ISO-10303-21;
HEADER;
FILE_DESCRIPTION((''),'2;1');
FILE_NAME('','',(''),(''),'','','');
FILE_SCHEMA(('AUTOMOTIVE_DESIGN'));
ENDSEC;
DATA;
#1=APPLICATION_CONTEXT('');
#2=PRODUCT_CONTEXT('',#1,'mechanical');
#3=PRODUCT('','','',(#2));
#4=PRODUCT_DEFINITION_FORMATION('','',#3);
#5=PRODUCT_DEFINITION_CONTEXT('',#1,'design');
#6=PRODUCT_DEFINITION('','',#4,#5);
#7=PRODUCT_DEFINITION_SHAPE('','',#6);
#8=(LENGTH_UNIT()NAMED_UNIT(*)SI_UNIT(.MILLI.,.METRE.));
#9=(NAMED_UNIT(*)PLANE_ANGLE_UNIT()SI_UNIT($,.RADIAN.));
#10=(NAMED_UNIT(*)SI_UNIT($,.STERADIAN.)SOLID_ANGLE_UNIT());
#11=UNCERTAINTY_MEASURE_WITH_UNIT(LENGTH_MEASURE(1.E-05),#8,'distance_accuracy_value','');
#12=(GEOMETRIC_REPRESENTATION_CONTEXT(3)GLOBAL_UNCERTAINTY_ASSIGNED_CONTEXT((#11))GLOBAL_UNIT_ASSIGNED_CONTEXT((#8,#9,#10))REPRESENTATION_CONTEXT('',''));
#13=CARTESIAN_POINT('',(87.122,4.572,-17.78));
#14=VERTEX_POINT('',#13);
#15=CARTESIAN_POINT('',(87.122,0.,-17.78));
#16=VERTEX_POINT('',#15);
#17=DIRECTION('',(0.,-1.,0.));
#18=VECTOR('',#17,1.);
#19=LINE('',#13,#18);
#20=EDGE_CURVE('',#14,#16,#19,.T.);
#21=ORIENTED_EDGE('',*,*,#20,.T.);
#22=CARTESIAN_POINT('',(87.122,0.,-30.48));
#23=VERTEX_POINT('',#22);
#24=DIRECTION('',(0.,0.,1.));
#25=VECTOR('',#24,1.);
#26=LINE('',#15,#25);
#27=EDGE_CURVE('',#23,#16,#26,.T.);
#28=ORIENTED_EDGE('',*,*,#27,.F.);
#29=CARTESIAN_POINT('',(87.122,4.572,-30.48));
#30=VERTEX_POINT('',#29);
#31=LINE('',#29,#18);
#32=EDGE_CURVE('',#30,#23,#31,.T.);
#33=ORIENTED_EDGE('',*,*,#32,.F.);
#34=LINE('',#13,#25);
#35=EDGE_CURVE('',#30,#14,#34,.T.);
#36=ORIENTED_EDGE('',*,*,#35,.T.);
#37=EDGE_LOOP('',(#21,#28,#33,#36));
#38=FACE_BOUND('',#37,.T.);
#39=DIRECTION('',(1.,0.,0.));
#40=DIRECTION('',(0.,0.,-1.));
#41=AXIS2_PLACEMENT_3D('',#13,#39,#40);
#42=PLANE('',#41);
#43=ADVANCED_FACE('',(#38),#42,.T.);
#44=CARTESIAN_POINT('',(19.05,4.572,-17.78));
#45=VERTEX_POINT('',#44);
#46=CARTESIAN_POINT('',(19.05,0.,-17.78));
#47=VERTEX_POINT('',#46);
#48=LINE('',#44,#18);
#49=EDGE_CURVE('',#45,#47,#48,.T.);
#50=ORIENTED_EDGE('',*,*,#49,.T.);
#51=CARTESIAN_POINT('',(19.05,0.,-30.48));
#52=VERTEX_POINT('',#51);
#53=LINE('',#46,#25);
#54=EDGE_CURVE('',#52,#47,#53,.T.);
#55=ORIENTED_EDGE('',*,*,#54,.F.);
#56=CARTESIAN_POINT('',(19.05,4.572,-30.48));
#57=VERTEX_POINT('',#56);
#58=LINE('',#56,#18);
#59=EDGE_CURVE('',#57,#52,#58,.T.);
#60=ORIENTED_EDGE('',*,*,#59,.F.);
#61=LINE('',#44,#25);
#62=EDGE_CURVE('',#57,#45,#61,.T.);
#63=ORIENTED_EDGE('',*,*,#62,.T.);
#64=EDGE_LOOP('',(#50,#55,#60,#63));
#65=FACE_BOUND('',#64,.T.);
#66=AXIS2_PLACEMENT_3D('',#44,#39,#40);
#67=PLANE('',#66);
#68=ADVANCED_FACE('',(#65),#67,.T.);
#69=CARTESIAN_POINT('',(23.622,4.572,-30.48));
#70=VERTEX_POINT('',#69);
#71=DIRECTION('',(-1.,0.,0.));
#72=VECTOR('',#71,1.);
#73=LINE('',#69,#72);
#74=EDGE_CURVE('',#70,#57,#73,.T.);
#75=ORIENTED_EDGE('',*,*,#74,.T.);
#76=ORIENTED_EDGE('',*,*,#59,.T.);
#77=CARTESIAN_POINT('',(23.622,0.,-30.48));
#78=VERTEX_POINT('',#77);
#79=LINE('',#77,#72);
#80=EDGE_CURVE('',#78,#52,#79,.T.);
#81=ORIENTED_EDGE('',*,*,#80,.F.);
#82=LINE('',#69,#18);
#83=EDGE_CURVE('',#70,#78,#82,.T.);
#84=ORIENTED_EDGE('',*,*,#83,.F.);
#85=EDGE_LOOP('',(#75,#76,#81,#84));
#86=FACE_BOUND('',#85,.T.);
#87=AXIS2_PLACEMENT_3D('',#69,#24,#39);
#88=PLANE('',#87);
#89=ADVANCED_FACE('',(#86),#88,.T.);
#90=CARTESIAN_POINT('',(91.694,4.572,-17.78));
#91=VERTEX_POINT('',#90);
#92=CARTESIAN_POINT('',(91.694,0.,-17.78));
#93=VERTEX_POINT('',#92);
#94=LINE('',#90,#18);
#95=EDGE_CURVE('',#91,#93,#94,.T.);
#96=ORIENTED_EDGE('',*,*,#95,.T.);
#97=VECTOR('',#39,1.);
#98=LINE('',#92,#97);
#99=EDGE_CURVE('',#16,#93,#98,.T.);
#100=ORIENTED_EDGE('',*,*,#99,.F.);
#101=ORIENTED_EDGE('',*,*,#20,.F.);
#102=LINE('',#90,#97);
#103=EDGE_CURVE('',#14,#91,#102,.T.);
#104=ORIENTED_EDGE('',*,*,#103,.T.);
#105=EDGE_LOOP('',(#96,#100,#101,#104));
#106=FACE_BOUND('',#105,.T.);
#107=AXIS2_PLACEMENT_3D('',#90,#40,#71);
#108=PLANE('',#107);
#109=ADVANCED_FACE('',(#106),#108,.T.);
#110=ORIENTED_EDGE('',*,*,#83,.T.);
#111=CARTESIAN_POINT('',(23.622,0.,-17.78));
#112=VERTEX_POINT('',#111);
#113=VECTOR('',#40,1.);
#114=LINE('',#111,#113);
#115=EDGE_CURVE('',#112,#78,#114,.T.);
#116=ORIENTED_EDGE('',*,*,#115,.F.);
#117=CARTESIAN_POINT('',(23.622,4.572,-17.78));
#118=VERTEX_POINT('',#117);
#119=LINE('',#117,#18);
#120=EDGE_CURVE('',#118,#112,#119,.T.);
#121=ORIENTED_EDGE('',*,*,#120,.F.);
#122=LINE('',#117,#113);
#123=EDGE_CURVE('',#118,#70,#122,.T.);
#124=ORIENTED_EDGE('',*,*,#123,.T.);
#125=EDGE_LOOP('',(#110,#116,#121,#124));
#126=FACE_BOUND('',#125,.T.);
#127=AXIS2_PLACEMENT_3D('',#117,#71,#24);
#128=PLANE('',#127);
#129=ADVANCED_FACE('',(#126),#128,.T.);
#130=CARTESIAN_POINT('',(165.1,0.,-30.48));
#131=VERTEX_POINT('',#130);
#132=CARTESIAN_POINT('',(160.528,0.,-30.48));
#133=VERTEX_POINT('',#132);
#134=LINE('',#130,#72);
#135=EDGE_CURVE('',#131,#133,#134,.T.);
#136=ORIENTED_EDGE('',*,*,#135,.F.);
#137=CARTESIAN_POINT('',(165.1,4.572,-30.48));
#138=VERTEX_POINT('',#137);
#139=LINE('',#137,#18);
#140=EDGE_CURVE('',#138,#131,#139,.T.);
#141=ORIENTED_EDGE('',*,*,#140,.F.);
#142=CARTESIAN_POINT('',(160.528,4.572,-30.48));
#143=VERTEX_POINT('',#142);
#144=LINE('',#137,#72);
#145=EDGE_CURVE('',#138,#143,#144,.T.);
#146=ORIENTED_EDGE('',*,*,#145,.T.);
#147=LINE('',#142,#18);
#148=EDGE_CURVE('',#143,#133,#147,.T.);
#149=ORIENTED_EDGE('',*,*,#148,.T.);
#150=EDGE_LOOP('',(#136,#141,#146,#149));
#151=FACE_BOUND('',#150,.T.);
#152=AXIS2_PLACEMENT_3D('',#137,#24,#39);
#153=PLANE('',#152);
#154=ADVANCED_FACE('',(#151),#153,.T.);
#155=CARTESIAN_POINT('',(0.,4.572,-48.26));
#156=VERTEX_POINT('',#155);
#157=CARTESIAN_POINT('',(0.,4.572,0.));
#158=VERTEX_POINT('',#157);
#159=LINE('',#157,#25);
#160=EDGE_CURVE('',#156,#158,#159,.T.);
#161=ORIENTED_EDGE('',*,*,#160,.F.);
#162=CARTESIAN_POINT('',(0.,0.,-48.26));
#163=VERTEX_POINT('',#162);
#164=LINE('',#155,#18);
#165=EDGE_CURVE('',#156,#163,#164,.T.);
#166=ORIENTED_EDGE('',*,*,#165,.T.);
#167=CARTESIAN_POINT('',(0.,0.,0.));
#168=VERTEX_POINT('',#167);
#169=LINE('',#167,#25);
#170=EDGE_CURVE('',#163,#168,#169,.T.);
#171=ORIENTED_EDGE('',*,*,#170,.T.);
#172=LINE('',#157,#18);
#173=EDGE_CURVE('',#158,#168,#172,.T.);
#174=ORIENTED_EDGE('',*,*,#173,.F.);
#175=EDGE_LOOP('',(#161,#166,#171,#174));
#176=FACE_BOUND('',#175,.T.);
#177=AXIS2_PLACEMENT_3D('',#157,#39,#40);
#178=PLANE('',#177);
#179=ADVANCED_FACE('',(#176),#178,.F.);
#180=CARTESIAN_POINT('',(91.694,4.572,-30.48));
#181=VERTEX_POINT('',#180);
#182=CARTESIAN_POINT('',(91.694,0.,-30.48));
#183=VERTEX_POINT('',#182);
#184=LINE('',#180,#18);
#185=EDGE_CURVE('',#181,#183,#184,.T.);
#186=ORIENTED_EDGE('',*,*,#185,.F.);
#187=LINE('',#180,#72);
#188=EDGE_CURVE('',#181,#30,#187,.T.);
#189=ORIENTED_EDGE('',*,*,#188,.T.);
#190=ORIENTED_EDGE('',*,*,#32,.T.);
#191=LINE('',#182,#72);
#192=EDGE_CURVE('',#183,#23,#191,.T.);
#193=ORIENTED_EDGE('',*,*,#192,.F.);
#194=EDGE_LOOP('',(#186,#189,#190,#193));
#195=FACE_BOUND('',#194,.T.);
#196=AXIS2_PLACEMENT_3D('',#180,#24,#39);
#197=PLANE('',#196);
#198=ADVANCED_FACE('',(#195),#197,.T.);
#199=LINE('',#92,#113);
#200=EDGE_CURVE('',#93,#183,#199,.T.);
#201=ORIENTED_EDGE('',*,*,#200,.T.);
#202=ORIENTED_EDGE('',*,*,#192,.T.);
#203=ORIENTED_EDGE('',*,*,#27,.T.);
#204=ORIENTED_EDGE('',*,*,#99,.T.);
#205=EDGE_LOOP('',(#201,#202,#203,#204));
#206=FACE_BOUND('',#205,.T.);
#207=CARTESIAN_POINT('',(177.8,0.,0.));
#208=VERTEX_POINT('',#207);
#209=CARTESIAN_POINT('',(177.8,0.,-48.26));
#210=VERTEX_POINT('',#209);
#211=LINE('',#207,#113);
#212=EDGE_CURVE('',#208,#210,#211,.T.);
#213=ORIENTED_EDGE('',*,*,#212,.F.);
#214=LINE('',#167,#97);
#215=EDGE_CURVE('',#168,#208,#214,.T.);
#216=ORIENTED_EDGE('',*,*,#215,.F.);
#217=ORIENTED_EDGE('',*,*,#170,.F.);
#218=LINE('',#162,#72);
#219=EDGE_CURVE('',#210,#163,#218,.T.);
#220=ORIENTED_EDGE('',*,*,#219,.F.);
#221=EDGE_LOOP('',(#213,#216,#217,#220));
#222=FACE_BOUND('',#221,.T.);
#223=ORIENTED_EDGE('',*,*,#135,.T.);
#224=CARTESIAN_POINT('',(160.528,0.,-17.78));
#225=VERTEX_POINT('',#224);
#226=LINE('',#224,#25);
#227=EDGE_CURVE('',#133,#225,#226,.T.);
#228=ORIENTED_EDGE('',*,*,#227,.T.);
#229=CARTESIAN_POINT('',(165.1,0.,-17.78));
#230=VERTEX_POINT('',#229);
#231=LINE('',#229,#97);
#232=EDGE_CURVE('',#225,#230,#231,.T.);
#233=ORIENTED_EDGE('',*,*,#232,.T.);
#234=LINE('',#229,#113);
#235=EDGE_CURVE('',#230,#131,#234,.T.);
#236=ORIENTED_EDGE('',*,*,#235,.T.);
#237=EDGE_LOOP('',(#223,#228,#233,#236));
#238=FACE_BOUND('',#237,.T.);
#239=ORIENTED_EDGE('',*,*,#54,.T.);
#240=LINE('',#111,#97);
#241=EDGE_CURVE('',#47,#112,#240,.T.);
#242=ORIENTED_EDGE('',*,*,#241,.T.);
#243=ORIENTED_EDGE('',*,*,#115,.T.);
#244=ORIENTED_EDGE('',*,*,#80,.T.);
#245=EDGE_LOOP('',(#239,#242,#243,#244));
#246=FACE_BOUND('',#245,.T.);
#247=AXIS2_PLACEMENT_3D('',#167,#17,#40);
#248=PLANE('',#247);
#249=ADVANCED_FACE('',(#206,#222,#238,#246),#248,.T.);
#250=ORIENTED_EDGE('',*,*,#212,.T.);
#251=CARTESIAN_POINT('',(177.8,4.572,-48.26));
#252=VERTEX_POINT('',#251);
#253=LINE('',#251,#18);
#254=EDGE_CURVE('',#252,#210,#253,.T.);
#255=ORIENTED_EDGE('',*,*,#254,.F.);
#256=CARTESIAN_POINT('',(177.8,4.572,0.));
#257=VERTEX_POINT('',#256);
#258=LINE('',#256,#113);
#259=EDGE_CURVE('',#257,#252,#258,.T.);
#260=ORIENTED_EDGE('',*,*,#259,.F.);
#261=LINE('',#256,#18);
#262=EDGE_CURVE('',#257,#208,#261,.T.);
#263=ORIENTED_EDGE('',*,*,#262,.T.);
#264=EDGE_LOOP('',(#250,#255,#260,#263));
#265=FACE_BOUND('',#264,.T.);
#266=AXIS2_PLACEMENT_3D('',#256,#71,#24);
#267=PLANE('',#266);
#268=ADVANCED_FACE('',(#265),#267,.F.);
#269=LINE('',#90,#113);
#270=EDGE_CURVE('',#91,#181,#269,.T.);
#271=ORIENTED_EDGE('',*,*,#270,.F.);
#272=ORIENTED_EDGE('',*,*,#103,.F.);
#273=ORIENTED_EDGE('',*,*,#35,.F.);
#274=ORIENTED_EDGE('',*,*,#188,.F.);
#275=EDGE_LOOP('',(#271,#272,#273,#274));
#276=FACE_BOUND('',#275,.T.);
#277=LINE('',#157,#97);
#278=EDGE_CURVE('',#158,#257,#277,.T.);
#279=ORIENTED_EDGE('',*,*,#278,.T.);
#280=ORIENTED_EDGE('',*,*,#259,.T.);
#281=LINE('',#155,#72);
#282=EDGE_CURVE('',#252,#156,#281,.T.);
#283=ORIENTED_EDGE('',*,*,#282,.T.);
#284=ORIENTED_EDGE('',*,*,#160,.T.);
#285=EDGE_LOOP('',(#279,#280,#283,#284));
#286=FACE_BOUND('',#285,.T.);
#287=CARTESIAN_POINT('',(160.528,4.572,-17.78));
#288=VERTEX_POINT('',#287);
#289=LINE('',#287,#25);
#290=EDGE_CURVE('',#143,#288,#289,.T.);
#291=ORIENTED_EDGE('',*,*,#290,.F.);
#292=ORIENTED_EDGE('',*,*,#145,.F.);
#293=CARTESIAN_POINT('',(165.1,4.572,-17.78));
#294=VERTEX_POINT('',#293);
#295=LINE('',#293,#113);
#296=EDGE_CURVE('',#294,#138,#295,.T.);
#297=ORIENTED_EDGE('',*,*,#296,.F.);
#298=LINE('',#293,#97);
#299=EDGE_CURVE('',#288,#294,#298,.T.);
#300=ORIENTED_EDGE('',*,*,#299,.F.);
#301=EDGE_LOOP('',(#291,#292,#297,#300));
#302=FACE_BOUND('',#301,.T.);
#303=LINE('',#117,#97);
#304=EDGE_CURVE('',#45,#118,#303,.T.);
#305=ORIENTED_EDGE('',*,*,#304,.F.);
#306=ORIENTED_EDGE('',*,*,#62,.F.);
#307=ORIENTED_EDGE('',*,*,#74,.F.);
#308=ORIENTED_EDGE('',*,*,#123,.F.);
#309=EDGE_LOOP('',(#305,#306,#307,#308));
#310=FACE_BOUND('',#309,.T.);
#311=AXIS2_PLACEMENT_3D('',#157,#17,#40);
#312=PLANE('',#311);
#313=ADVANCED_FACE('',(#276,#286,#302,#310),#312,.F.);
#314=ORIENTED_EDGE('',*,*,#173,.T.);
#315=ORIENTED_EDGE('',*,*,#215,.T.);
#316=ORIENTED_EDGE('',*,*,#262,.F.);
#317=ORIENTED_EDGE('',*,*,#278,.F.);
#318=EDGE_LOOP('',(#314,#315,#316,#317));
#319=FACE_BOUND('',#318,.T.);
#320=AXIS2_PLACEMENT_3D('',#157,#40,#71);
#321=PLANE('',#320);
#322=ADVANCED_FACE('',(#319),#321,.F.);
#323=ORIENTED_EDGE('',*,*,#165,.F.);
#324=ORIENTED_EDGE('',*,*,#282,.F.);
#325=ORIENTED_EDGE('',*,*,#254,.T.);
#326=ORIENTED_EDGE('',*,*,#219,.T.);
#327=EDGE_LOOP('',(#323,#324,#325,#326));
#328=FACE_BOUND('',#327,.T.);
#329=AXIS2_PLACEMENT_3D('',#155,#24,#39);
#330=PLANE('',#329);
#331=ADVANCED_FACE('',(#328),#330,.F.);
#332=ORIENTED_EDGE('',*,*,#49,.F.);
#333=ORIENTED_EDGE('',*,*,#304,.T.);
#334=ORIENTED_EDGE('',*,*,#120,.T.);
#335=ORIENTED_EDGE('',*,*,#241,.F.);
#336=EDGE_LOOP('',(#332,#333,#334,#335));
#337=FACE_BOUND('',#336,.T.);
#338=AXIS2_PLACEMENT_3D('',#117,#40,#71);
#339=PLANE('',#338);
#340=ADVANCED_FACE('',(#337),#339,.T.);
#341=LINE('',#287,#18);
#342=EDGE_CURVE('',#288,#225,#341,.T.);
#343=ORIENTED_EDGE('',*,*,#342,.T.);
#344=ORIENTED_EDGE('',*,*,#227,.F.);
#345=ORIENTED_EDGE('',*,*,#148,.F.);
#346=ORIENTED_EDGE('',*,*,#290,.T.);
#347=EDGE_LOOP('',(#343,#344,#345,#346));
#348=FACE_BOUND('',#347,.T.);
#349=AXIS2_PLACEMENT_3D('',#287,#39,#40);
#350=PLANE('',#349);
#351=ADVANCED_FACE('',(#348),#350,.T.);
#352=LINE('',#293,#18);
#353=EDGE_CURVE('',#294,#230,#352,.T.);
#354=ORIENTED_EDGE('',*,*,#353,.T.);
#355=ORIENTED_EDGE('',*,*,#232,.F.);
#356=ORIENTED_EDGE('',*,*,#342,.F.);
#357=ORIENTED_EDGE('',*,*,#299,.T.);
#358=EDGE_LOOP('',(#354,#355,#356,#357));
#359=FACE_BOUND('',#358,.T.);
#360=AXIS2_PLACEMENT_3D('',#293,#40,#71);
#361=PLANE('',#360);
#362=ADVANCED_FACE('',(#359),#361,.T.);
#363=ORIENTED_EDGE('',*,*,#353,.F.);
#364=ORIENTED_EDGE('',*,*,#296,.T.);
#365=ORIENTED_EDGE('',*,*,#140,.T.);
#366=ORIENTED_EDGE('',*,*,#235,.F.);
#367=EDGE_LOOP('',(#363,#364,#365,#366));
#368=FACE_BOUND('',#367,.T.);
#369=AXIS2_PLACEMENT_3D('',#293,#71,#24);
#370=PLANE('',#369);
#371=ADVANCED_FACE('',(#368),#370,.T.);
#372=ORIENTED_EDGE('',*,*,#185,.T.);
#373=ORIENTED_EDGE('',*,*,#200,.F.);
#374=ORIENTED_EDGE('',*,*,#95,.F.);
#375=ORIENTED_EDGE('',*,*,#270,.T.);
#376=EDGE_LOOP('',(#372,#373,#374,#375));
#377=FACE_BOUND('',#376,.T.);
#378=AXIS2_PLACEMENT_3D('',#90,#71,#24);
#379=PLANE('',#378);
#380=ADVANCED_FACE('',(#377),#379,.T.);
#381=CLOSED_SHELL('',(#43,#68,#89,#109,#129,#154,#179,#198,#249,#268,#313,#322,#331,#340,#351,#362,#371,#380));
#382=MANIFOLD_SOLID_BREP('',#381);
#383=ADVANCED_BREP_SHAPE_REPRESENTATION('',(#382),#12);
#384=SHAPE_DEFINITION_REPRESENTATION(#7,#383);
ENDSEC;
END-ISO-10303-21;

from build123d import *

# Parameters (mm, degrees)
SKETCH1_W           = 177.8
SKETCH1_H           = 48.26
SKETCH1_W_2         = 4.572
SKETCH1_H_2         = 12.7
BOSS_EXTRUDE1_DEPTH = 4.572


with BuildPart() as part:
    # Sketch1 → Boss-Extrude1 (new body)
    with BuildSketch(Plane(origin=(0, 0, 0), x_dir=(1, 0, 0), z_dir=(0, 1, 0))):
        with Locations((88.9, 24.13)):
            Rectangle(SKETCH1_W, SKETCH1_H)
        with Locations((162.814, 24.13)):
            Rectangle(SKETCH1_W_2, SKETCH1_H_2, mode=Mode.SUBTRACT)
        with Locations((89.408, 24.13)):
            Rectangle(SKETCH1_W_2, SKETCH1_H_2, mode=Mode.SUBTRACT)
        with Locations((21.336, 24.13)):
            Rectangle(SKETCH1_W_2, SKETCH1_H_2, mode=Mode.SUBTRACT)
    extrude(amount=BOSS_EXTRUDE1_DEPTH)


solid = part.part
